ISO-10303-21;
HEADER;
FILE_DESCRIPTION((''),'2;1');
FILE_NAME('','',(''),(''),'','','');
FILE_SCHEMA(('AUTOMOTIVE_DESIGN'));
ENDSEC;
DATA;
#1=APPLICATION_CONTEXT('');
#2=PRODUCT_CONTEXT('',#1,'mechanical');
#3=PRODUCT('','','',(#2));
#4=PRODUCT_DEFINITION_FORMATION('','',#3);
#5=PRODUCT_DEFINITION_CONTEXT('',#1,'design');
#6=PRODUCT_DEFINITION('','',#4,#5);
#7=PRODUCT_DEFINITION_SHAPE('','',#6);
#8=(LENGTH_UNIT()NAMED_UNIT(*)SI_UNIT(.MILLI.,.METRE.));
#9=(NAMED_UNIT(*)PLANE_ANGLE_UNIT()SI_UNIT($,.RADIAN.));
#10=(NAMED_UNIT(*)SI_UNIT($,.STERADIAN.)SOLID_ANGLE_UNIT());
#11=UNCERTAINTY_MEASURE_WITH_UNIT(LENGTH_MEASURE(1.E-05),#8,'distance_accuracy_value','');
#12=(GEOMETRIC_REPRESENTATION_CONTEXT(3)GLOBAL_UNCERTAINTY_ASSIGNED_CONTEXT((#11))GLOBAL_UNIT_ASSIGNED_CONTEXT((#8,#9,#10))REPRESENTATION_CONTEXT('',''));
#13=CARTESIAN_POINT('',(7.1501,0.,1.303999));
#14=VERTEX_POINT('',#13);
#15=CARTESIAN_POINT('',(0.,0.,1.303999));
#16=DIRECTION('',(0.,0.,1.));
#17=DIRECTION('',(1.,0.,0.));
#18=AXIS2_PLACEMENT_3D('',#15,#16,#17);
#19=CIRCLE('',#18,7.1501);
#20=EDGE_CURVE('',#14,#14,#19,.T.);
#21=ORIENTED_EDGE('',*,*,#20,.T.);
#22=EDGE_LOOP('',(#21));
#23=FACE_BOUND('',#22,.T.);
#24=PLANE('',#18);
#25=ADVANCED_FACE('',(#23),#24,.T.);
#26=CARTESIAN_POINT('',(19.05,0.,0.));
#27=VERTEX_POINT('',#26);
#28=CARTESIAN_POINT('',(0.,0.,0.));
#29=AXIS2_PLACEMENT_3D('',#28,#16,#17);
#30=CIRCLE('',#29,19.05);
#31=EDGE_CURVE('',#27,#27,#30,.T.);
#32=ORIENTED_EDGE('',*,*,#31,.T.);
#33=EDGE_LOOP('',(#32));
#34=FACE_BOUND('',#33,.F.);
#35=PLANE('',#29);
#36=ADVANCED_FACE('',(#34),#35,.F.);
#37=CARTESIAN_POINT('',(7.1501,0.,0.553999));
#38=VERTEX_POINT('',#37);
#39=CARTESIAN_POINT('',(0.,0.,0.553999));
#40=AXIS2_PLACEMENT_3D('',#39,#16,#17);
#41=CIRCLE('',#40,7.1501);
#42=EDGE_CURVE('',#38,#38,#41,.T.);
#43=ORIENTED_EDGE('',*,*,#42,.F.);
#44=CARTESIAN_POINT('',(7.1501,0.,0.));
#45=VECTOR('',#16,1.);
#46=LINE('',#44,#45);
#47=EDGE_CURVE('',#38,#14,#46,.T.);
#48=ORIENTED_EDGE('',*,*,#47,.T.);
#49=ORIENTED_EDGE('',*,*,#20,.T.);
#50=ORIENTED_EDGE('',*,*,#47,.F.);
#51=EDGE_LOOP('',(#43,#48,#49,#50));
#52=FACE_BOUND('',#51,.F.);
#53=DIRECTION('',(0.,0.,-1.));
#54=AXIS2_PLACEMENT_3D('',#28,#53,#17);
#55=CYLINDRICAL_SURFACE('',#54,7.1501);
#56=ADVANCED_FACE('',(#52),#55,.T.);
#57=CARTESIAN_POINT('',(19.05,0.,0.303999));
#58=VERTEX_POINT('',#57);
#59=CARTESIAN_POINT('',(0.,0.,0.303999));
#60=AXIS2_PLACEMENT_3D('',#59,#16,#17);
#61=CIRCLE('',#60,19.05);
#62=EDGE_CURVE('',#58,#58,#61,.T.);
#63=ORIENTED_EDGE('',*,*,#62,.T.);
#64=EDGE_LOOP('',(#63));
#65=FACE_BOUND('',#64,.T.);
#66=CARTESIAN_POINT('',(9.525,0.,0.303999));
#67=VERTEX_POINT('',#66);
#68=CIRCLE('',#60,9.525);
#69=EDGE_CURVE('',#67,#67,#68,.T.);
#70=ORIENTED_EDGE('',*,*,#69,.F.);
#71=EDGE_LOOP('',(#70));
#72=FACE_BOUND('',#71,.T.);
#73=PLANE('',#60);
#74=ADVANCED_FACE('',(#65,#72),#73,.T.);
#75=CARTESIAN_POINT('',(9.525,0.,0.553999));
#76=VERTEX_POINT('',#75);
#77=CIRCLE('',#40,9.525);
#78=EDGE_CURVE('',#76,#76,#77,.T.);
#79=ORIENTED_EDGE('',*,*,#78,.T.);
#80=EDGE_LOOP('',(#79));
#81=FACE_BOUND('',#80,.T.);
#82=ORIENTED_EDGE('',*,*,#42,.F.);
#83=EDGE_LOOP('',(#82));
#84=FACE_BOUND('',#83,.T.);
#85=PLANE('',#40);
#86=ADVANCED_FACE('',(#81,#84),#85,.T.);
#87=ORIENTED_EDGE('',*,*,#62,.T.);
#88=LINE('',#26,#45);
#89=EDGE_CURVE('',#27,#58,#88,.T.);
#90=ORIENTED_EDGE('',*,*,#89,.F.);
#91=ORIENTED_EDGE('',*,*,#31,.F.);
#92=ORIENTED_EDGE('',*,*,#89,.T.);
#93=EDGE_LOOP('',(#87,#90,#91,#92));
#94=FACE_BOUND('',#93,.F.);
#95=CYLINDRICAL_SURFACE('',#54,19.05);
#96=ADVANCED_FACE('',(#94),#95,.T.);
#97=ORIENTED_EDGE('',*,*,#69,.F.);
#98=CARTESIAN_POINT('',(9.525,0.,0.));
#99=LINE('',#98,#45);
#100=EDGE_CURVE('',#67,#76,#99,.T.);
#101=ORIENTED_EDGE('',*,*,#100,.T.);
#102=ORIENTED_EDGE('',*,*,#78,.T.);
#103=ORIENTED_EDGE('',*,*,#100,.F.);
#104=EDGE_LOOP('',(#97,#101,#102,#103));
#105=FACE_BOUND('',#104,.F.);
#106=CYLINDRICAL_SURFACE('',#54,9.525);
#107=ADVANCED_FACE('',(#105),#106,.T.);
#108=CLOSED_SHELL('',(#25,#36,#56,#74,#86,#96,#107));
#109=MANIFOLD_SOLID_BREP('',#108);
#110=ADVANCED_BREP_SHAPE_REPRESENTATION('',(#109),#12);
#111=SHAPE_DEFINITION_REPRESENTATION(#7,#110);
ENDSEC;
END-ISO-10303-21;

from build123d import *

# Parameters (mm, degrees)
F0_R     = 19.05
F0_R_2   = 9.525
F1_DEPTH = 0.303999
F0_R_3   = 7.1501
F2_DEPTH = 0.553999
F3_DEPTH = 1.303999


with BuildPart() as f1:
    # F0 (on Top) → F1 (new body)
    with BuildSketch(Plane.XY):
        Circle(F0_R)
        Circle(F0_R_2, mode=Mode.SUBTRACT)
    extrude(amount=F1_DEPTH)

    # F0 (on Top) → F2 (join)
    with BuildSketch(Plane.XY):
        Circle(F0_R_2)
        Circle(F0_R_3, mode=Mode.SUBTRACT)
    extrude(amount=F2_DEPTH)

    # F0 (on Top) → F3 (join)
    with BuildSketch(Plane.XY):
        Circle(F0_R_3)
    extrude(amount=F3_DEPTH)


solid = f1.part
